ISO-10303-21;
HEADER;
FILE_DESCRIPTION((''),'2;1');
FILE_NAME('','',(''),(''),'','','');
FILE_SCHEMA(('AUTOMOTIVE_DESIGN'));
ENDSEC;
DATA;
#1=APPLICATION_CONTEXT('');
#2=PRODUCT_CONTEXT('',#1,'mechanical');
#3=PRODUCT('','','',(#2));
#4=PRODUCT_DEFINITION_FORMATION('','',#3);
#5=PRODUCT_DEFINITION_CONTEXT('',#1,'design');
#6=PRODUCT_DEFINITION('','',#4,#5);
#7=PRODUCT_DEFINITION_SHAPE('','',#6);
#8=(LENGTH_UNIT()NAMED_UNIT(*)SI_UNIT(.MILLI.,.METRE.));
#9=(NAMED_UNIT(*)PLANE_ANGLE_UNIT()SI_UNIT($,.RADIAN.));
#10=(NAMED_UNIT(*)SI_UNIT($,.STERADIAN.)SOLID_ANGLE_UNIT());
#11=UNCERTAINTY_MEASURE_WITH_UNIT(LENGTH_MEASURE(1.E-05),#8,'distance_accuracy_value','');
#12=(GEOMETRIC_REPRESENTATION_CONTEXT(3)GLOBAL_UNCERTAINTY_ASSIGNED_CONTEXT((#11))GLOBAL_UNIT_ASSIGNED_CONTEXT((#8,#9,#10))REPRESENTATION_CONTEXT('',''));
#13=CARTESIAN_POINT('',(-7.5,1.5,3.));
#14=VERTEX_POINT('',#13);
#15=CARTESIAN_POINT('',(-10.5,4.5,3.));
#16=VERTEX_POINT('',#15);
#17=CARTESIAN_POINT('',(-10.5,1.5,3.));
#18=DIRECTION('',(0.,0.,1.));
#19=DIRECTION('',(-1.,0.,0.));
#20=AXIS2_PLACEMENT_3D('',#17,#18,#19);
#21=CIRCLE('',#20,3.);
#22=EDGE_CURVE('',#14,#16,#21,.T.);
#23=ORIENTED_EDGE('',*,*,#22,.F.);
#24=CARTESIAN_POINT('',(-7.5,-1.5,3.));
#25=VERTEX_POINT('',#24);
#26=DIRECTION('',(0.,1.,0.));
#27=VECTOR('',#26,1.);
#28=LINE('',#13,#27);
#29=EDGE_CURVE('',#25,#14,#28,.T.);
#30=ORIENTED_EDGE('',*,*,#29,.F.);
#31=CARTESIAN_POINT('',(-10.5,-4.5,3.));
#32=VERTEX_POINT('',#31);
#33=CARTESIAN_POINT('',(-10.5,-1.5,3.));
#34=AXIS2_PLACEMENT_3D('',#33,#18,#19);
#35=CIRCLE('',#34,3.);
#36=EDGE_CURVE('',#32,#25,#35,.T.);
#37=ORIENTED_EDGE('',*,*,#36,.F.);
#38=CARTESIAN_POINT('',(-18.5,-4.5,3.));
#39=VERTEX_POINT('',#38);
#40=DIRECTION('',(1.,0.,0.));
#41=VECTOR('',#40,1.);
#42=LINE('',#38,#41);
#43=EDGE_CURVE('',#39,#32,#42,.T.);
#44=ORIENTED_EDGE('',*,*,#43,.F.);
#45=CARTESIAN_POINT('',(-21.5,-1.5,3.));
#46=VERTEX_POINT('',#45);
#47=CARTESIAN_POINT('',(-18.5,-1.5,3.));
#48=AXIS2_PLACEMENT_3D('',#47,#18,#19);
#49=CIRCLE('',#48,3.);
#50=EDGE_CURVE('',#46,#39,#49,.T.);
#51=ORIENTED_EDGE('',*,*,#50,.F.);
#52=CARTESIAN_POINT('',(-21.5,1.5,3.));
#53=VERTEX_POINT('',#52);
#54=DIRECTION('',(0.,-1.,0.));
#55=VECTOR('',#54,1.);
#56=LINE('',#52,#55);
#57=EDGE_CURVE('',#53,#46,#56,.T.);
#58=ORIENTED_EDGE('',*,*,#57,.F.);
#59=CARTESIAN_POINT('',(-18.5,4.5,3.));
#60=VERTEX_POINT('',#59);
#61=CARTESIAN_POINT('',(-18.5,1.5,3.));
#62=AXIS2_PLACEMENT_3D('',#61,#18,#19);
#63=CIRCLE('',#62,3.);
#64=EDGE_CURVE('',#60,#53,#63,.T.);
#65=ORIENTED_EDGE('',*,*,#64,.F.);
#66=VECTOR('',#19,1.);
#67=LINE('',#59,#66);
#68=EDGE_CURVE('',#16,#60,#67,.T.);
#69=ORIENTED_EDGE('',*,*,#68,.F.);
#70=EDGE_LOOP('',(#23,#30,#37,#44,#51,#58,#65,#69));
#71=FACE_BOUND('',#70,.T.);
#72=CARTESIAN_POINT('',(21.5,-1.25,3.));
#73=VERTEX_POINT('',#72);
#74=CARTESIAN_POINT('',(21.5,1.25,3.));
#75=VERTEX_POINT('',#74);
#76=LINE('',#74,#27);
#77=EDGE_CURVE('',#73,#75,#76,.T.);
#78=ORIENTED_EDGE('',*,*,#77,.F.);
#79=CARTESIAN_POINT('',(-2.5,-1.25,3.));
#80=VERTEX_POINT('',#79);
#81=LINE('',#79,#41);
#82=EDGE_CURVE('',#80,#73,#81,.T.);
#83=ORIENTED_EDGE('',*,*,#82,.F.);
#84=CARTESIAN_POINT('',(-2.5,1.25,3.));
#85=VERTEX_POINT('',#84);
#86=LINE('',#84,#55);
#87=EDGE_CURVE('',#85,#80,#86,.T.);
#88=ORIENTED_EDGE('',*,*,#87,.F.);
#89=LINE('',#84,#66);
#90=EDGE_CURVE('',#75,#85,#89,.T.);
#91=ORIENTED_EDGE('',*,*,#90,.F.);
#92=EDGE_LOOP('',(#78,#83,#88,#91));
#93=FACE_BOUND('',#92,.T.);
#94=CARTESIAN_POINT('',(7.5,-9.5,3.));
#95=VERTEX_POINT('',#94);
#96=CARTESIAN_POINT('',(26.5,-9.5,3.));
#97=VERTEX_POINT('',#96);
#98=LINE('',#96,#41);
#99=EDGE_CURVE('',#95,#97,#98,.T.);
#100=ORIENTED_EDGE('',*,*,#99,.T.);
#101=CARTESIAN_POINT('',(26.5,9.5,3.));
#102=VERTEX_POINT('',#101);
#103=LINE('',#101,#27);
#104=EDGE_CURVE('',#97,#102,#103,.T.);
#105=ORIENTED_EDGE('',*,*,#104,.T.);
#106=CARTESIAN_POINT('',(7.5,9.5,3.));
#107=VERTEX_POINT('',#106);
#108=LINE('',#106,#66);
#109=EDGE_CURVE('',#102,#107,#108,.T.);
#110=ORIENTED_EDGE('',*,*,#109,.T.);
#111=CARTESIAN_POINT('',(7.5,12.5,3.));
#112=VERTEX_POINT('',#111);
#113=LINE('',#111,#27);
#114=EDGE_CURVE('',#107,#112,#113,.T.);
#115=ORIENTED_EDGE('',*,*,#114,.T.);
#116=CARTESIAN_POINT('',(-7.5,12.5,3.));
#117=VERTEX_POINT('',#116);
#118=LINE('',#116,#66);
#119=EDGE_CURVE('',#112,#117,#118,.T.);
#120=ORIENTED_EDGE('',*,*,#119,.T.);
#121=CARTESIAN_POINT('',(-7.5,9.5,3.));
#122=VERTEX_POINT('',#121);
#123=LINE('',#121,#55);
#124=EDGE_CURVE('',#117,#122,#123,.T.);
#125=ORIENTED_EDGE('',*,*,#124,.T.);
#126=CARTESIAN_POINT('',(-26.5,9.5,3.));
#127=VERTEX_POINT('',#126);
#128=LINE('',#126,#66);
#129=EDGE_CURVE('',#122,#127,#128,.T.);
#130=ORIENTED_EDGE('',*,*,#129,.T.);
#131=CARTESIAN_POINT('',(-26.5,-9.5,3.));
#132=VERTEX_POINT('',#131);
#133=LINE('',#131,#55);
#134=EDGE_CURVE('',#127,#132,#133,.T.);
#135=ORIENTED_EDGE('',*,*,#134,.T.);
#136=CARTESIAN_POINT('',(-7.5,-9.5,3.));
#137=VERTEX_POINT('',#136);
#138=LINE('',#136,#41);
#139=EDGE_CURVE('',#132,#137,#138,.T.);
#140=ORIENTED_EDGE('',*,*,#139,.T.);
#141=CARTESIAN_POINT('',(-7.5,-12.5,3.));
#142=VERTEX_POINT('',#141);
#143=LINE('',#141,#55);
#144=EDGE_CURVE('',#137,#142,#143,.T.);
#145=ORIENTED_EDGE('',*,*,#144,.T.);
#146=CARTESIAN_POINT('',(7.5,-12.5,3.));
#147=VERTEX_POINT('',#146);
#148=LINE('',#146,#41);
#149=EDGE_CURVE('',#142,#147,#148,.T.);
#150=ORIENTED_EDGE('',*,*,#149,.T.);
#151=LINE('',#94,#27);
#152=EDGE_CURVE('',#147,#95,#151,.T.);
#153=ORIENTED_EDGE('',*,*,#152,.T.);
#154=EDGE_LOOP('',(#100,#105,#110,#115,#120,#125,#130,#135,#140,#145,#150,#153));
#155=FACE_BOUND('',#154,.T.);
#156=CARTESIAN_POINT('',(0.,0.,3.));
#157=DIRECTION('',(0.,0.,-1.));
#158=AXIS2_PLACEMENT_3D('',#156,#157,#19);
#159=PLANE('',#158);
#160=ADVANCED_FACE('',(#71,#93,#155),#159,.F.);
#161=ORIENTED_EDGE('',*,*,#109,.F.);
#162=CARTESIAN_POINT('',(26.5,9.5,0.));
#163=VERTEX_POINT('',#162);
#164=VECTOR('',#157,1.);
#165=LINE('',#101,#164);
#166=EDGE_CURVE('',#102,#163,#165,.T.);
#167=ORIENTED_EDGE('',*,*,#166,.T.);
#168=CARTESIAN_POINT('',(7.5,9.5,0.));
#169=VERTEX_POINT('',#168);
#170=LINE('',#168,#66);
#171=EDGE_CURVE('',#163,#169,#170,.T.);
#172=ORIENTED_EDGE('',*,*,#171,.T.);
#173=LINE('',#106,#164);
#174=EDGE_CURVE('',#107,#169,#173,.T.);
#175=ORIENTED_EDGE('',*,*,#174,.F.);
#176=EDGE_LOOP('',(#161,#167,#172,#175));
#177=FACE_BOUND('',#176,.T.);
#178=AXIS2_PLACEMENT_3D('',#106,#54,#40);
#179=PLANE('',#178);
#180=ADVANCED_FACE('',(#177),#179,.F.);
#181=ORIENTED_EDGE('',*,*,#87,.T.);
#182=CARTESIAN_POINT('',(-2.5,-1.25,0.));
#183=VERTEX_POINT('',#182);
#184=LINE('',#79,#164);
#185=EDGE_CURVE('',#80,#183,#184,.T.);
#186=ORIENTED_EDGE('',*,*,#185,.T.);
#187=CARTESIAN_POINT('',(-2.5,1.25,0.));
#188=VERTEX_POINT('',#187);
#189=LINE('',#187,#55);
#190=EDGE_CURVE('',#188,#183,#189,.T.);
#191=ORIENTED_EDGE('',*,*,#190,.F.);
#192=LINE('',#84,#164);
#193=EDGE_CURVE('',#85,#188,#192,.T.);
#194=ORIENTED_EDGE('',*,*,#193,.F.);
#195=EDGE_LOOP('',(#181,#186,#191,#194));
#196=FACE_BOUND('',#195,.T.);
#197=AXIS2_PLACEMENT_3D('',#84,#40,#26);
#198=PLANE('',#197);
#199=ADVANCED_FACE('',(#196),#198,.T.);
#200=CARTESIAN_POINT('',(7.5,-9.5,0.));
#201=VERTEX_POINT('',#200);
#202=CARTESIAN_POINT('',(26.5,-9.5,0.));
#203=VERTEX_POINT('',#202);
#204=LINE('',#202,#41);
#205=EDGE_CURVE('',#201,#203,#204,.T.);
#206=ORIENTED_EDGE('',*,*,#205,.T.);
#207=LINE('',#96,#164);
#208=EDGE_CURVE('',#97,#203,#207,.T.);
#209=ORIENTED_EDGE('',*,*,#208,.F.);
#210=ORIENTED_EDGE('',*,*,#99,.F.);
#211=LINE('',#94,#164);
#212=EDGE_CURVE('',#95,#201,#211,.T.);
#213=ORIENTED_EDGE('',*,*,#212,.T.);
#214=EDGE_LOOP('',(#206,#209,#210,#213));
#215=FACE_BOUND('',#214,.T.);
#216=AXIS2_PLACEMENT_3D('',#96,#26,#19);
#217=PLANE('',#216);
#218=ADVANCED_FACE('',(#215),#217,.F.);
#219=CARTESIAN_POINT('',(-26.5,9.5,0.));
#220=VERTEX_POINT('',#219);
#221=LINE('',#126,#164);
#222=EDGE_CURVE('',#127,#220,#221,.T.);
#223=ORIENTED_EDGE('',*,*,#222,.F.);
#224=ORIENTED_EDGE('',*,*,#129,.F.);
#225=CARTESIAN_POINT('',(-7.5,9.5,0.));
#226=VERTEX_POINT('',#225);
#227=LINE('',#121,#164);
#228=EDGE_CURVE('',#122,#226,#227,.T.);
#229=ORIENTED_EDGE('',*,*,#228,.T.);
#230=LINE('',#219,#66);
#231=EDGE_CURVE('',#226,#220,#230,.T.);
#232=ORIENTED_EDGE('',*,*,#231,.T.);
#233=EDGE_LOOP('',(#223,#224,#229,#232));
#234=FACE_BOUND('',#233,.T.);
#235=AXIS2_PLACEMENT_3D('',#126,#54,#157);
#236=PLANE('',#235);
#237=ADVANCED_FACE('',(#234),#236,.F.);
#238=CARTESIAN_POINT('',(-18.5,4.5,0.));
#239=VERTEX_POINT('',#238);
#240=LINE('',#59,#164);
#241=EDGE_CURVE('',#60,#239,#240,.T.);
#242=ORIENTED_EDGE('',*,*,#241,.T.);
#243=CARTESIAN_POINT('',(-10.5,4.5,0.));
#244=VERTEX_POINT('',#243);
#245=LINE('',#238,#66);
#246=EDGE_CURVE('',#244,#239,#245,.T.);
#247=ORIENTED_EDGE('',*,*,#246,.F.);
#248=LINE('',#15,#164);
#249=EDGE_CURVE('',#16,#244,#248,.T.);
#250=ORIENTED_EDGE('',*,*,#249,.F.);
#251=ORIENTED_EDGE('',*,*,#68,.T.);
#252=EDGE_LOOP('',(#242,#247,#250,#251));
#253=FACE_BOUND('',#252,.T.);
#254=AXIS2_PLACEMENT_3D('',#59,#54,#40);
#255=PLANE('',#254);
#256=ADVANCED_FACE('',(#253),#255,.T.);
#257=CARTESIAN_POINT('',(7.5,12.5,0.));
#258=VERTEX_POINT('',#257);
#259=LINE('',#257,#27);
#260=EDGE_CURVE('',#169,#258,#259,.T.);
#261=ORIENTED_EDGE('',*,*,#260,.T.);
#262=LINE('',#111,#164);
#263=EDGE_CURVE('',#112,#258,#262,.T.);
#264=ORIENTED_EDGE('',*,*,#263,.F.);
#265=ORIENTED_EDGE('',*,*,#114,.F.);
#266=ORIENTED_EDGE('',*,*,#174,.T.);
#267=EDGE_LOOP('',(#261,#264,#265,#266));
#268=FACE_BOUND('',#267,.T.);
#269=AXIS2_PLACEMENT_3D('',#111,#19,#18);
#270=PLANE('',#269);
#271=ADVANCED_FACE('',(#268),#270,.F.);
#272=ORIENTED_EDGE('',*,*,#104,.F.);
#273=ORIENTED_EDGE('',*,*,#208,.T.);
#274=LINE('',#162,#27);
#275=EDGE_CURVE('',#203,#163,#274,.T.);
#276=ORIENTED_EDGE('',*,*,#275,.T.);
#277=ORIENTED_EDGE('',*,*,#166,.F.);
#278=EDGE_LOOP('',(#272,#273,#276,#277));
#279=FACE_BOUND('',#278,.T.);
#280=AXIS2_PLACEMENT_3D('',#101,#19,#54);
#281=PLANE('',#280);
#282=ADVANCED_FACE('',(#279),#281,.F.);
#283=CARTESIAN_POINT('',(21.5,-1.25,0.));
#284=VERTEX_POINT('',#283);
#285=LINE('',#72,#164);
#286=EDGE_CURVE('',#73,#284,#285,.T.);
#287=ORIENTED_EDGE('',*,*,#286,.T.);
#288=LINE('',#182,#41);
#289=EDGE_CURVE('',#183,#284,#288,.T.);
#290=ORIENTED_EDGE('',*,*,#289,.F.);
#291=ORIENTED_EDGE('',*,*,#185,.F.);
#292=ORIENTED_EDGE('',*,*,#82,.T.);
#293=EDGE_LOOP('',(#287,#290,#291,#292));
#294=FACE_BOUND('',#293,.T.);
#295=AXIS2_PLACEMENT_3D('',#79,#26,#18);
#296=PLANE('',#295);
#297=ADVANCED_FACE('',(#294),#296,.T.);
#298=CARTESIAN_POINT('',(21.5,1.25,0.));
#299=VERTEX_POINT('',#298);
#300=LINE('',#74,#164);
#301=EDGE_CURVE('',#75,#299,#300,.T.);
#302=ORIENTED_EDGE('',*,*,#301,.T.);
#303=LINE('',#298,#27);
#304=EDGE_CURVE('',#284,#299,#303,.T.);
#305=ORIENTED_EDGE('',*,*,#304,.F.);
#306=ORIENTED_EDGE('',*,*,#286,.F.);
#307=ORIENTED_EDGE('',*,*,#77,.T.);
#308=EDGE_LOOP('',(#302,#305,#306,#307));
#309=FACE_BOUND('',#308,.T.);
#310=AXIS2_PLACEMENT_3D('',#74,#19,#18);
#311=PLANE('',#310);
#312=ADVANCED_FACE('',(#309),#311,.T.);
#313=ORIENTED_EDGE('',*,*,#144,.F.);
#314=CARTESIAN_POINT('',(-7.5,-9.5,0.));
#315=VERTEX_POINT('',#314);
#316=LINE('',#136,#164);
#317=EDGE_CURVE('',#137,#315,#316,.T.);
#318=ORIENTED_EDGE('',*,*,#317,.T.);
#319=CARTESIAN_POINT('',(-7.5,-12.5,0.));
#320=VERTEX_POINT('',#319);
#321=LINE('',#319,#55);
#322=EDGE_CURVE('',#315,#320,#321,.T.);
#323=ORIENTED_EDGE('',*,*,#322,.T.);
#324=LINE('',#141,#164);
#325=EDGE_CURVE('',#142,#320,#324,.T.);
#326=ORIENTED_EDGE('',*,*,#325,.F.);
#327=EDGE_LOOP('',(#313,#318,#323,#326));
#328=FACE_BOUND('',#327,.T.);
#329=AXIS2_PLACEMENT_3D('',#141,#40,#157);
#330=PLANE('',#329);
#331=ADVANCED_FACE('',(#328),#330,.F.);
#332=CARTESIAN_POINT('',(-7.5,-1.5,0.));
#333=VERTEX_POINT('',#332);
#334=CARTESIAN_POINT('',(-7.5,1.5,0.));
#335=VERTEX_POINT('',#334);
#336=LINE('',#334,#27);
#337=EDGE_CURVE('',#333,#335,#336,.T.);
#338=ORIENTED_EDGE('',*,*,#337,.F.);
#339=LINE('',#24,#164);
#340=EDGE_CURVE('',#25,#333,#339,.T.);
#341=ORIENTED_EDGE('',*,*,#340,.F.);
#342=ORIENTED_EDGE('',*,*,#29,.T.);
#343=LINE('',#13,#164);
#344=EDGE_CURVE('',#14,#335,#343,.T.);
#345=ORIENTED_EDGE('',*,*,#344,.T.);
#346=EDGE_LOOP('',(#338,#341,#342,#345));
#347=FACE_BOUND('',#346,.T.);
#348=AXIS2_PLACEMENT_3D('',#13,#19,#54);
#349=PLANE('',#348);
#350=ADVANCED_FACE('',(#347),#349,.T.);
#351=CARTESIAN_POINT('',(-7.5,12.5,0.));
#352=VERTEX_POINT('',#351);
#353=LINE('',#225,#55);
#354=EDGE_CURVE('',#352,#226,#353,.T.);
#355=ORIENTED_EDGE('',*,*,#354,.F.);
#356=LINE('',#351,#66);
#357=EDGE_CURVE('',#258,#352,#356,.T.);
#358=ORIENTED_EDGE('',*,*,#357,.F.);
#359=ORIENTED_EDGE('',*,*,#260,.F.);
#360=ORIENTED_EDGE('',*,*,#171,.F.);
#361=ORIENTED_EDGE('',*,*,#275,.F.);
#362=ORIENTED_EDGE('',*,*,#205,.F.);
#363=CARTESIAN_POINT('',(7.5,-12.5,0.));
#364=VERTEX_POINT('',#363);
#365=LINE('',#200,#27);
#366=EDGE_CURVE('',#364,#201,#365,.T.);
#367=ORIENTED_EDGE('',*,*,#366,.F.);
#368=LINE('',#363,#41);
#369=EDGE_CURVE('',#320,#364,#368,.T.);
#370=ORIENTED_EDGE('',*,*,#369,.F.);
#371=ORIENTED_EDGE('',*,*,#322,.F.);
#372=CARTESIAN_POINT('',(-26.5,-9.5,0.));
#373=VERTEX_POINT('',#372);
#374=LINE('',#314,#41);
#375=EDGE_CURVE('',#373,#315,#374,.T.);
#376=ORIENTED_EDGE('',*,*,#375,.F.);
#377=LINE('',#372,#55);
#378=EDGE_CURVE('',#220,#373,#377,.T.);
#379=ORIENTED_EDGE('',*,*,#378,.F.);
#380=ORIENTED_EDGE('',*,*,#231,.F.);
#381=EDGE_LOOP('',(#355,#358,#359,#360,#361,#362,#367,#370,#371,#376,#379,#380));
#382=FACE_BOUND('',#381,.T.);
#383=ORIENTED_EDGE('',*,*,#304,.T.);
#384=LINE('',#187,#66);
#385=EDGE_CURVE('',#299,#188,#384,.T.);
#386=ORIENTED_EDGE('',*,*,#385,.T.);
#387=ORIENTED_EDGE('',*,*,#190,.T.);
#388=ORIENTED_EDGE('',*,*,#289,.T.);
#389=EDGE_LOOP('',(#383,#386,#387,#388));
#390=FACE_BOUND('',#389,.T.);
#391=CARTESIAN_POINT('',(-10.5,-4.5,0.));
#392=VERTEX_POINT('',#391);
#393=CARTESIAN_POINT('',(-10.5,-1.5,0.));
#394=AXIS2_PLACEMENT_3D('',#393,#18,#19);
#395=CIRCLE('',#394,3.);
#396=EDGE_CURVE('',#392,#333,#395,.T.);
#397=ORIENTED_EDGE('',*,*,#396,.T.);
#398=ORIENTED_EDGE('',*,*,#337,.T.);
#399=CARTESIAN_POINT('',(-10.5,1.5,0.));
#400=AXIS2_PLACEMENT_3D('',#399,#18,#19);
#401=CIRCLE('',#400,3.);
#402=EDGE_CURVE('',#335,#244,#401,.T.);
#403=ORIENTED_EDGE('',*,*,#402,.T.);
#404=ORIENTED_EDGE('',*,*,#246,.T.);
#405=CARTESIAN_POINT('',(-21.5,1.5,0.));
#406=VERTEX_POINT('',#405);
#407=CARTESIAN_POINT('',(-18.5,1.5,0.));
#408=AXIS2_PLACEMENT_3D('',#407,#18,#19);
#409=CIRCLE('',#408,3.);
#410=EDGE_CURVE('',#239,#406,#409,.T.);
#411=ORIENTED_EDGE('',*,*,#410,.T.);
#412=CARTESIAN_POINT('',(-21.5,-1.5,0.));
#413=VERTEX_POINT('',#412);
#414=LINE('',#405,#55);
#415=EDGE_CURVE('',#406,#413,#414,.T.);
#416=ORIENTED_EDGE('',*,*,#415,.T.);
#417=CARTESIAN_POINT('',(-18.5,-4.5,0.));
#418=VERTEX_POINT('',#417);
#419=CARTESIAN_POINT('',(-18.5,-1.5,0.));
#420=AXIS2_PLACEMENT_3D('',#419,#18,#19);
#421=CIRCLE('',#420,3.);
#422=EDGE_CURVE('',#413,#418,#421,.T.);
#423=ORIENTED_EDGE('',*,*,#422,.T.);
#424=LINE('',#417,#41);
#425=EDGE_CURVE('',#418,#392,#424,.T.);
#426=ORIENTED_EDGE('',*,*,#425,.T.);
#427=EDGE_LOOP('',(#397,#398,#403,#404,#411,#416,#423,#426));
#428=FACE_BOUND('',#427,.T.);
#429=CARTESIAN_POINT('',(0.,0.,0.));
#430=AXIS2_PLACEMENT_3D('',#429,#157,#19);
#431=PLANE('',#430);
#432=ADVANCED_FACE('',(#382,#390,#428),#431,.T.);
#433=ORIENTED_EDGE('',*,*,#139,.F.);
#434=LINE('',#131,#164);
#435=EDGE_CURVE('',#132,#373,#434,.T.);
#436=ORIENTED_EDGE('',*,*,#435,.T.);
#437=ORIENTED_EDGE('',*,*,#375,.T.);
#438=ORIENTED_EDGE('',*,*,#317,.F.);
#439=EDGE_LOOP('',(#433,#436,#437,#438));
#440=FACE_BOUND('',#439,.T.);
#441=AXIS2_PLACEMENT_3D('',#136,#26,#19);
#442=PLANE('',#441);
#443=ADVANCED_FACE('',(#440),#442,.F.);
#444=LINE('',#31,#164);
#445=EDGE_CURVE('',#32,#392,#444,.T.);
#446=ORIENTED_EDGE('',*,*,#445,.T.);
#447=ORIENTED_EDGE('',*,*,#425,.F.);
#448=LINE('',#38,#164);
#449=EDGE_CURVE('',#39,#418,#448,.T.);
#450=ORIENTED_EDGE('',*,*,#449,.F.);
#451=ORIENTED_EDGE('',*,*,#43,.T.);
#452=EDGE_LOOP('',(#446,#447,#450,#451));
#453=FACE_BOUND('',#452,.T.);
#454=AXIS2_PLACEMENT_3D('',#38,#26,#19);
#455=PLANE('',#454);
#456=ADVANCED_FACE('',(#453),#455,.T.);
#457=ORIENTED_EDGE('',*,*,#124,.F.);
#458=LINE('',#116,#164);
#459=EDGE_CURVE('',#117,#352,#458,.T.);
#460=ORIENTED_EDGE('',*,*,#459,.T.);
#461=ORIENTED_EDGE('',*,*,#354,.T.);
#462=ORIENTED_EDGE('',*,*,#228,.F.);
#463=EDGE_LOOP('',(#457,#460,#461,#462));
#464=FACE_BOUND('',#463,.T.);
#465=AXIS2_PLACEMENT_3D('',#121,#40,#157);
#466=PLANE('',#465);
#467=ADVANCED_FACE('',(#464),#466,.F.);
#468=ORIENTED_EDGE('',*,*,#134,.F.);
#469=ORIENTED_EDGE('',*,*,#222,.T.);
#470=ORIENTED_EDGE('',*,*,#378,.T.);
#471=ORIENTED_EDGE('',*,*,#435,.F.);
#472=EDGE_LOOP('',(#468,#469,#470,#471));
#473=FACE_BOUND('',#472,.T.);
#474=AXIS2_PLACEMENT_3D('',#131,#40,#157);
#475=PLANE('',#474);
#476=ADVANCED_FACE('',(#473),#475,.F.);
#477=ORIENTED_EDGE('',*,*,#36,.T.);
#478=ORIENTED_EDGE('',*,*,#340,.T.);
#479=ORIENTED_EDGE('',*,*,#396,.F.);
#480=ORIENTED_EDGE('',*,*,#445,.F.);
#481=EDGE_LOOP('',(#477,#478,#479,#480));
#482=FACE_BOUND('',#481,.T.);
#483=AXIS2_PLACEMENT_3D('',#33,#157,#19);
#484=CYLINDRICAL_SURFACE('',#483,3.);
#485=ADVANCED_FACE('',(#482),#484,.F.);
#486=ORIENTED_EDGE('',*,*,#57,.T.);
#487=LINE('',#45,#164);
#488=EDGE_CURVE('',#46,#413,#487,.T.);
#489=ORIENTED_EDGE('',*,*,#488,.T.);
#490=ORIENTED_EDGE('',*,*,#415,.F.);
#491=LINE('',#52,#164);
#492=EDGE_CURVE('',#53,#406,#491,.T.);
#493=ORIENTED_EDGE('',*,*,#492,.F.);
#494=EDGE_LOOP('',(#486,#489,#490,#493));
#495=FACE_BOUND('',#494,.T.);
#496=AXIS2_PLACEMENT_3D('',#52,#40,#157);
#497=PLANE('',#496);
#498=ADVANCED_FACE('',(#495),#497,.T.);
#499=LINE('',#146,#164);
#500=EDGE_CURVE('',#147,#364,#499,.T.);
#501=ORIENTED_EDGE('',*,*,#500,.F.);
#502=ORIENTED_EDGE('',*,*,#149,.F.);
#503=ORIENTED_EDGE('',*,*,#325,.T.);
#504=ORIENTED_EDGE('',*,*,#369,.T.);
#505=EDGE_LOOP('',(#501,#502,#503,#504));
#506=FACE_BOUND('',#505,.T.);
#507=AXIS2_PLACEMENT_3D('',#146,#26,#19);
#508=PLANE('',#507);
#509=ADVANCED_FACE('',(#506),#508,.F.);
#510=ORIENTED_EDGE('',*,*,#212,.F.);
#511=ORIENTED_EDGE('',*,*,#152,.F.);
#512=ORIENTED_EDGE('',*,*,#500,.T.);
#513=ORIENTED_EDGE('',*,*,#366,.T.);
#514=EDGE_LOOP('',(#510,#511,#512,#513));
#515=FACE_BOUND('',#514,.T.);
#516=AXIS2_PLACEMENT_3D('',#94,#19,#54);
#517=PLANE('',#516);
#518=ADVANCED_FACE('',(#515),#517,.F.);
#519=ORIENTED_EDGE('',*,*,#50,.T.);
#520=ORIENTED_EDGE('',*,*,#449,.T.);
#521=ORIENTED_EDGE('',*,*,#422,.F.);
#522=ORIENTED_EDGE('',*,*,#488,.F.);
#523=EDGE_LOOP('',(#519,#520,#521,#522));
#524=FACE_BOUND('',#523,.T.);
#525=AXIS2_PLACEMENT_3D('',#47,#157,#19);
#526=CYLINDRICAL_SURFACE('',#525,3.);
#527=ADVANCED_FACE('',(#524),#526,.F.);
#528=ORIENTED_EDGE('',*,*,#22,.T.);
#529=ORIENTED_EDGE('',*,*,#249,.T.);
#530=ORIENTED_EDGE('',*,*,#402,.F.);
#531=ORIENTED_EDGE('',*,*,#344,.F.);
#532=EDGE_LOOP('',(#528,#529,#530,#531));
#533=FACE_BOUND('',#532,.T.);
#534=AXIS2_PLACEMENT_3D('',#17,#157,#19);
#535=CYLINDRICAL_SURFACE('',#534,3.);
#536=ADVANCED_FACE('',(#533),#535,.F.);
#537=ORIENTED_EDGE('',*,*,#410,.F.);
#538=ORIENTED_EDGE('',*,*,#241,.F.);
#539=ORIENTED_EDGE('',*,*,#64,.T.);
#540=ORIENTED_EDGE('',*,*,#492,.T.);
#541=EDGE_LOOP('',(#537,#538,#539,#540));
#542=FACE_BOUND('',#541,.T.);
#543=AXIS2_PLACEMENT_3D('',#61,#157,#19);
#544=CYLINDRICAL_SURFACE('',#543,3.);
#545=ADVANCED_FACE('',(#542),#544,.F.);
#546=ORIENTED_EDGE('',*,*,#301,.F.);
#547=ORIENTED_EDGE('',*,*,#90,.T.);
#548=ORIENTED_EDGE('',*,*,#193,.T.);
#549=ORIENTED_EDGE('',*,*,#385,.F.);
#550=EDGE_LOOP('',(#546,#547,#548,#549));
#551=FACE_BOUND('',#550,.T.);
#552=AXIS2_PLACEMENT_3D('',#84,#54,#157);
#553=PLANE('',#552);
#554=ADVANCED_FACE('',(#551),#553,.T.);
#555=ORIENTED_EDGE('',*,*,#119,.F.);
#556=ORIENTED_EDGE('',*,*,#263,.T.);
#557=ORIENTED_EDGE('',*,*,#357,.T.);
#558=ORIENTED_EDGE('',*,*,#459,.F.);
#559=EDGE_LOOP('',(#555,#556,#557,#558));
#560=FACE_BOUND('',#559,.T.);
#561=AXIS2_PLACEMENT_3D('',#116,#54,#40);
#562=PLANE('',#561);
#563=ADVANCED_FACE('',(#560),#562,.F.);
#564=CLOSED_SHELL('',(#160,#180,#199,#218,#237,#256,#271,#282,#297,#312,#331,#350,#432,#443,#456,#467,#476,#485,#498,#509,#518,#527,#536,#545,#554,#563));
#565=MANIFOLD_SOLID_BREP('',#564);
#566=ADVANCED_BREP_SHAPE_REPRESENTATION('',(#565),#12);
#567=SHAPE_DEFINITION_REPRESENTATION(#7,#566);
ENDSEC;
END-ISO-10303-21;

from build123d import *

# Parameters (mm, degrees)
SKETCH1_W           = 24
SKETCH1_H           = 2.5
BOSS_EXTRUDE1_DEPTH = 3


with BuildPart() as part:
    # Sketch1 → Boss-Extrude1 (new body)
    with BuildSketch(Plane.XY):
        Polygon((-26.5, -9.5), (-26.5, 9.5), (-7.5, 9.5), (-7.5, 12.5), (7.5, 12.5), (7.5, 9.5), (26.5, 9.5), (26.5, -9.5), (7.5, -9.5), (7.5, -12.5), (-7.5, -12.5), (-7.5, -9.5), align=None)
        with Locations((9.5, 0)):
            Rectangle(SKETCH1_W, SKETCH1_H, mode=Mode.SUBTRACT)
        with BuildLine():
            Line((-18.5, 4.5), (-10.5, 4.5))
            ThreePointArc((-10.5, 4.5), (-8.378679656, 3.621320344), (-7.5, 1.5))
            Line((-7.5, 1.5), (-7.5, -1.5))
            ThreePointArc((-7.5, -1.5), (-8.378679656, -3.621320344), (-10.5, -4.5))
            Line((-10.5, -4.5), (-18.5, -4.5))
            ThreePointArc((-18.5, -4.5), (-20.621320344, -3.621320344), (-21.5, -1.5))
            Line((-21.5, -1.5), (-21.5, 1.5))
            ThreePointArc((-21.5, 1.5), (-20.621320344, 3.621320344), (-18.5, 4.5))
        make_face(mode=Mode.SUBTRACT)
    extrude(amount=BOSS_EXTRUDE1_DEPTH)


solid = part.part
